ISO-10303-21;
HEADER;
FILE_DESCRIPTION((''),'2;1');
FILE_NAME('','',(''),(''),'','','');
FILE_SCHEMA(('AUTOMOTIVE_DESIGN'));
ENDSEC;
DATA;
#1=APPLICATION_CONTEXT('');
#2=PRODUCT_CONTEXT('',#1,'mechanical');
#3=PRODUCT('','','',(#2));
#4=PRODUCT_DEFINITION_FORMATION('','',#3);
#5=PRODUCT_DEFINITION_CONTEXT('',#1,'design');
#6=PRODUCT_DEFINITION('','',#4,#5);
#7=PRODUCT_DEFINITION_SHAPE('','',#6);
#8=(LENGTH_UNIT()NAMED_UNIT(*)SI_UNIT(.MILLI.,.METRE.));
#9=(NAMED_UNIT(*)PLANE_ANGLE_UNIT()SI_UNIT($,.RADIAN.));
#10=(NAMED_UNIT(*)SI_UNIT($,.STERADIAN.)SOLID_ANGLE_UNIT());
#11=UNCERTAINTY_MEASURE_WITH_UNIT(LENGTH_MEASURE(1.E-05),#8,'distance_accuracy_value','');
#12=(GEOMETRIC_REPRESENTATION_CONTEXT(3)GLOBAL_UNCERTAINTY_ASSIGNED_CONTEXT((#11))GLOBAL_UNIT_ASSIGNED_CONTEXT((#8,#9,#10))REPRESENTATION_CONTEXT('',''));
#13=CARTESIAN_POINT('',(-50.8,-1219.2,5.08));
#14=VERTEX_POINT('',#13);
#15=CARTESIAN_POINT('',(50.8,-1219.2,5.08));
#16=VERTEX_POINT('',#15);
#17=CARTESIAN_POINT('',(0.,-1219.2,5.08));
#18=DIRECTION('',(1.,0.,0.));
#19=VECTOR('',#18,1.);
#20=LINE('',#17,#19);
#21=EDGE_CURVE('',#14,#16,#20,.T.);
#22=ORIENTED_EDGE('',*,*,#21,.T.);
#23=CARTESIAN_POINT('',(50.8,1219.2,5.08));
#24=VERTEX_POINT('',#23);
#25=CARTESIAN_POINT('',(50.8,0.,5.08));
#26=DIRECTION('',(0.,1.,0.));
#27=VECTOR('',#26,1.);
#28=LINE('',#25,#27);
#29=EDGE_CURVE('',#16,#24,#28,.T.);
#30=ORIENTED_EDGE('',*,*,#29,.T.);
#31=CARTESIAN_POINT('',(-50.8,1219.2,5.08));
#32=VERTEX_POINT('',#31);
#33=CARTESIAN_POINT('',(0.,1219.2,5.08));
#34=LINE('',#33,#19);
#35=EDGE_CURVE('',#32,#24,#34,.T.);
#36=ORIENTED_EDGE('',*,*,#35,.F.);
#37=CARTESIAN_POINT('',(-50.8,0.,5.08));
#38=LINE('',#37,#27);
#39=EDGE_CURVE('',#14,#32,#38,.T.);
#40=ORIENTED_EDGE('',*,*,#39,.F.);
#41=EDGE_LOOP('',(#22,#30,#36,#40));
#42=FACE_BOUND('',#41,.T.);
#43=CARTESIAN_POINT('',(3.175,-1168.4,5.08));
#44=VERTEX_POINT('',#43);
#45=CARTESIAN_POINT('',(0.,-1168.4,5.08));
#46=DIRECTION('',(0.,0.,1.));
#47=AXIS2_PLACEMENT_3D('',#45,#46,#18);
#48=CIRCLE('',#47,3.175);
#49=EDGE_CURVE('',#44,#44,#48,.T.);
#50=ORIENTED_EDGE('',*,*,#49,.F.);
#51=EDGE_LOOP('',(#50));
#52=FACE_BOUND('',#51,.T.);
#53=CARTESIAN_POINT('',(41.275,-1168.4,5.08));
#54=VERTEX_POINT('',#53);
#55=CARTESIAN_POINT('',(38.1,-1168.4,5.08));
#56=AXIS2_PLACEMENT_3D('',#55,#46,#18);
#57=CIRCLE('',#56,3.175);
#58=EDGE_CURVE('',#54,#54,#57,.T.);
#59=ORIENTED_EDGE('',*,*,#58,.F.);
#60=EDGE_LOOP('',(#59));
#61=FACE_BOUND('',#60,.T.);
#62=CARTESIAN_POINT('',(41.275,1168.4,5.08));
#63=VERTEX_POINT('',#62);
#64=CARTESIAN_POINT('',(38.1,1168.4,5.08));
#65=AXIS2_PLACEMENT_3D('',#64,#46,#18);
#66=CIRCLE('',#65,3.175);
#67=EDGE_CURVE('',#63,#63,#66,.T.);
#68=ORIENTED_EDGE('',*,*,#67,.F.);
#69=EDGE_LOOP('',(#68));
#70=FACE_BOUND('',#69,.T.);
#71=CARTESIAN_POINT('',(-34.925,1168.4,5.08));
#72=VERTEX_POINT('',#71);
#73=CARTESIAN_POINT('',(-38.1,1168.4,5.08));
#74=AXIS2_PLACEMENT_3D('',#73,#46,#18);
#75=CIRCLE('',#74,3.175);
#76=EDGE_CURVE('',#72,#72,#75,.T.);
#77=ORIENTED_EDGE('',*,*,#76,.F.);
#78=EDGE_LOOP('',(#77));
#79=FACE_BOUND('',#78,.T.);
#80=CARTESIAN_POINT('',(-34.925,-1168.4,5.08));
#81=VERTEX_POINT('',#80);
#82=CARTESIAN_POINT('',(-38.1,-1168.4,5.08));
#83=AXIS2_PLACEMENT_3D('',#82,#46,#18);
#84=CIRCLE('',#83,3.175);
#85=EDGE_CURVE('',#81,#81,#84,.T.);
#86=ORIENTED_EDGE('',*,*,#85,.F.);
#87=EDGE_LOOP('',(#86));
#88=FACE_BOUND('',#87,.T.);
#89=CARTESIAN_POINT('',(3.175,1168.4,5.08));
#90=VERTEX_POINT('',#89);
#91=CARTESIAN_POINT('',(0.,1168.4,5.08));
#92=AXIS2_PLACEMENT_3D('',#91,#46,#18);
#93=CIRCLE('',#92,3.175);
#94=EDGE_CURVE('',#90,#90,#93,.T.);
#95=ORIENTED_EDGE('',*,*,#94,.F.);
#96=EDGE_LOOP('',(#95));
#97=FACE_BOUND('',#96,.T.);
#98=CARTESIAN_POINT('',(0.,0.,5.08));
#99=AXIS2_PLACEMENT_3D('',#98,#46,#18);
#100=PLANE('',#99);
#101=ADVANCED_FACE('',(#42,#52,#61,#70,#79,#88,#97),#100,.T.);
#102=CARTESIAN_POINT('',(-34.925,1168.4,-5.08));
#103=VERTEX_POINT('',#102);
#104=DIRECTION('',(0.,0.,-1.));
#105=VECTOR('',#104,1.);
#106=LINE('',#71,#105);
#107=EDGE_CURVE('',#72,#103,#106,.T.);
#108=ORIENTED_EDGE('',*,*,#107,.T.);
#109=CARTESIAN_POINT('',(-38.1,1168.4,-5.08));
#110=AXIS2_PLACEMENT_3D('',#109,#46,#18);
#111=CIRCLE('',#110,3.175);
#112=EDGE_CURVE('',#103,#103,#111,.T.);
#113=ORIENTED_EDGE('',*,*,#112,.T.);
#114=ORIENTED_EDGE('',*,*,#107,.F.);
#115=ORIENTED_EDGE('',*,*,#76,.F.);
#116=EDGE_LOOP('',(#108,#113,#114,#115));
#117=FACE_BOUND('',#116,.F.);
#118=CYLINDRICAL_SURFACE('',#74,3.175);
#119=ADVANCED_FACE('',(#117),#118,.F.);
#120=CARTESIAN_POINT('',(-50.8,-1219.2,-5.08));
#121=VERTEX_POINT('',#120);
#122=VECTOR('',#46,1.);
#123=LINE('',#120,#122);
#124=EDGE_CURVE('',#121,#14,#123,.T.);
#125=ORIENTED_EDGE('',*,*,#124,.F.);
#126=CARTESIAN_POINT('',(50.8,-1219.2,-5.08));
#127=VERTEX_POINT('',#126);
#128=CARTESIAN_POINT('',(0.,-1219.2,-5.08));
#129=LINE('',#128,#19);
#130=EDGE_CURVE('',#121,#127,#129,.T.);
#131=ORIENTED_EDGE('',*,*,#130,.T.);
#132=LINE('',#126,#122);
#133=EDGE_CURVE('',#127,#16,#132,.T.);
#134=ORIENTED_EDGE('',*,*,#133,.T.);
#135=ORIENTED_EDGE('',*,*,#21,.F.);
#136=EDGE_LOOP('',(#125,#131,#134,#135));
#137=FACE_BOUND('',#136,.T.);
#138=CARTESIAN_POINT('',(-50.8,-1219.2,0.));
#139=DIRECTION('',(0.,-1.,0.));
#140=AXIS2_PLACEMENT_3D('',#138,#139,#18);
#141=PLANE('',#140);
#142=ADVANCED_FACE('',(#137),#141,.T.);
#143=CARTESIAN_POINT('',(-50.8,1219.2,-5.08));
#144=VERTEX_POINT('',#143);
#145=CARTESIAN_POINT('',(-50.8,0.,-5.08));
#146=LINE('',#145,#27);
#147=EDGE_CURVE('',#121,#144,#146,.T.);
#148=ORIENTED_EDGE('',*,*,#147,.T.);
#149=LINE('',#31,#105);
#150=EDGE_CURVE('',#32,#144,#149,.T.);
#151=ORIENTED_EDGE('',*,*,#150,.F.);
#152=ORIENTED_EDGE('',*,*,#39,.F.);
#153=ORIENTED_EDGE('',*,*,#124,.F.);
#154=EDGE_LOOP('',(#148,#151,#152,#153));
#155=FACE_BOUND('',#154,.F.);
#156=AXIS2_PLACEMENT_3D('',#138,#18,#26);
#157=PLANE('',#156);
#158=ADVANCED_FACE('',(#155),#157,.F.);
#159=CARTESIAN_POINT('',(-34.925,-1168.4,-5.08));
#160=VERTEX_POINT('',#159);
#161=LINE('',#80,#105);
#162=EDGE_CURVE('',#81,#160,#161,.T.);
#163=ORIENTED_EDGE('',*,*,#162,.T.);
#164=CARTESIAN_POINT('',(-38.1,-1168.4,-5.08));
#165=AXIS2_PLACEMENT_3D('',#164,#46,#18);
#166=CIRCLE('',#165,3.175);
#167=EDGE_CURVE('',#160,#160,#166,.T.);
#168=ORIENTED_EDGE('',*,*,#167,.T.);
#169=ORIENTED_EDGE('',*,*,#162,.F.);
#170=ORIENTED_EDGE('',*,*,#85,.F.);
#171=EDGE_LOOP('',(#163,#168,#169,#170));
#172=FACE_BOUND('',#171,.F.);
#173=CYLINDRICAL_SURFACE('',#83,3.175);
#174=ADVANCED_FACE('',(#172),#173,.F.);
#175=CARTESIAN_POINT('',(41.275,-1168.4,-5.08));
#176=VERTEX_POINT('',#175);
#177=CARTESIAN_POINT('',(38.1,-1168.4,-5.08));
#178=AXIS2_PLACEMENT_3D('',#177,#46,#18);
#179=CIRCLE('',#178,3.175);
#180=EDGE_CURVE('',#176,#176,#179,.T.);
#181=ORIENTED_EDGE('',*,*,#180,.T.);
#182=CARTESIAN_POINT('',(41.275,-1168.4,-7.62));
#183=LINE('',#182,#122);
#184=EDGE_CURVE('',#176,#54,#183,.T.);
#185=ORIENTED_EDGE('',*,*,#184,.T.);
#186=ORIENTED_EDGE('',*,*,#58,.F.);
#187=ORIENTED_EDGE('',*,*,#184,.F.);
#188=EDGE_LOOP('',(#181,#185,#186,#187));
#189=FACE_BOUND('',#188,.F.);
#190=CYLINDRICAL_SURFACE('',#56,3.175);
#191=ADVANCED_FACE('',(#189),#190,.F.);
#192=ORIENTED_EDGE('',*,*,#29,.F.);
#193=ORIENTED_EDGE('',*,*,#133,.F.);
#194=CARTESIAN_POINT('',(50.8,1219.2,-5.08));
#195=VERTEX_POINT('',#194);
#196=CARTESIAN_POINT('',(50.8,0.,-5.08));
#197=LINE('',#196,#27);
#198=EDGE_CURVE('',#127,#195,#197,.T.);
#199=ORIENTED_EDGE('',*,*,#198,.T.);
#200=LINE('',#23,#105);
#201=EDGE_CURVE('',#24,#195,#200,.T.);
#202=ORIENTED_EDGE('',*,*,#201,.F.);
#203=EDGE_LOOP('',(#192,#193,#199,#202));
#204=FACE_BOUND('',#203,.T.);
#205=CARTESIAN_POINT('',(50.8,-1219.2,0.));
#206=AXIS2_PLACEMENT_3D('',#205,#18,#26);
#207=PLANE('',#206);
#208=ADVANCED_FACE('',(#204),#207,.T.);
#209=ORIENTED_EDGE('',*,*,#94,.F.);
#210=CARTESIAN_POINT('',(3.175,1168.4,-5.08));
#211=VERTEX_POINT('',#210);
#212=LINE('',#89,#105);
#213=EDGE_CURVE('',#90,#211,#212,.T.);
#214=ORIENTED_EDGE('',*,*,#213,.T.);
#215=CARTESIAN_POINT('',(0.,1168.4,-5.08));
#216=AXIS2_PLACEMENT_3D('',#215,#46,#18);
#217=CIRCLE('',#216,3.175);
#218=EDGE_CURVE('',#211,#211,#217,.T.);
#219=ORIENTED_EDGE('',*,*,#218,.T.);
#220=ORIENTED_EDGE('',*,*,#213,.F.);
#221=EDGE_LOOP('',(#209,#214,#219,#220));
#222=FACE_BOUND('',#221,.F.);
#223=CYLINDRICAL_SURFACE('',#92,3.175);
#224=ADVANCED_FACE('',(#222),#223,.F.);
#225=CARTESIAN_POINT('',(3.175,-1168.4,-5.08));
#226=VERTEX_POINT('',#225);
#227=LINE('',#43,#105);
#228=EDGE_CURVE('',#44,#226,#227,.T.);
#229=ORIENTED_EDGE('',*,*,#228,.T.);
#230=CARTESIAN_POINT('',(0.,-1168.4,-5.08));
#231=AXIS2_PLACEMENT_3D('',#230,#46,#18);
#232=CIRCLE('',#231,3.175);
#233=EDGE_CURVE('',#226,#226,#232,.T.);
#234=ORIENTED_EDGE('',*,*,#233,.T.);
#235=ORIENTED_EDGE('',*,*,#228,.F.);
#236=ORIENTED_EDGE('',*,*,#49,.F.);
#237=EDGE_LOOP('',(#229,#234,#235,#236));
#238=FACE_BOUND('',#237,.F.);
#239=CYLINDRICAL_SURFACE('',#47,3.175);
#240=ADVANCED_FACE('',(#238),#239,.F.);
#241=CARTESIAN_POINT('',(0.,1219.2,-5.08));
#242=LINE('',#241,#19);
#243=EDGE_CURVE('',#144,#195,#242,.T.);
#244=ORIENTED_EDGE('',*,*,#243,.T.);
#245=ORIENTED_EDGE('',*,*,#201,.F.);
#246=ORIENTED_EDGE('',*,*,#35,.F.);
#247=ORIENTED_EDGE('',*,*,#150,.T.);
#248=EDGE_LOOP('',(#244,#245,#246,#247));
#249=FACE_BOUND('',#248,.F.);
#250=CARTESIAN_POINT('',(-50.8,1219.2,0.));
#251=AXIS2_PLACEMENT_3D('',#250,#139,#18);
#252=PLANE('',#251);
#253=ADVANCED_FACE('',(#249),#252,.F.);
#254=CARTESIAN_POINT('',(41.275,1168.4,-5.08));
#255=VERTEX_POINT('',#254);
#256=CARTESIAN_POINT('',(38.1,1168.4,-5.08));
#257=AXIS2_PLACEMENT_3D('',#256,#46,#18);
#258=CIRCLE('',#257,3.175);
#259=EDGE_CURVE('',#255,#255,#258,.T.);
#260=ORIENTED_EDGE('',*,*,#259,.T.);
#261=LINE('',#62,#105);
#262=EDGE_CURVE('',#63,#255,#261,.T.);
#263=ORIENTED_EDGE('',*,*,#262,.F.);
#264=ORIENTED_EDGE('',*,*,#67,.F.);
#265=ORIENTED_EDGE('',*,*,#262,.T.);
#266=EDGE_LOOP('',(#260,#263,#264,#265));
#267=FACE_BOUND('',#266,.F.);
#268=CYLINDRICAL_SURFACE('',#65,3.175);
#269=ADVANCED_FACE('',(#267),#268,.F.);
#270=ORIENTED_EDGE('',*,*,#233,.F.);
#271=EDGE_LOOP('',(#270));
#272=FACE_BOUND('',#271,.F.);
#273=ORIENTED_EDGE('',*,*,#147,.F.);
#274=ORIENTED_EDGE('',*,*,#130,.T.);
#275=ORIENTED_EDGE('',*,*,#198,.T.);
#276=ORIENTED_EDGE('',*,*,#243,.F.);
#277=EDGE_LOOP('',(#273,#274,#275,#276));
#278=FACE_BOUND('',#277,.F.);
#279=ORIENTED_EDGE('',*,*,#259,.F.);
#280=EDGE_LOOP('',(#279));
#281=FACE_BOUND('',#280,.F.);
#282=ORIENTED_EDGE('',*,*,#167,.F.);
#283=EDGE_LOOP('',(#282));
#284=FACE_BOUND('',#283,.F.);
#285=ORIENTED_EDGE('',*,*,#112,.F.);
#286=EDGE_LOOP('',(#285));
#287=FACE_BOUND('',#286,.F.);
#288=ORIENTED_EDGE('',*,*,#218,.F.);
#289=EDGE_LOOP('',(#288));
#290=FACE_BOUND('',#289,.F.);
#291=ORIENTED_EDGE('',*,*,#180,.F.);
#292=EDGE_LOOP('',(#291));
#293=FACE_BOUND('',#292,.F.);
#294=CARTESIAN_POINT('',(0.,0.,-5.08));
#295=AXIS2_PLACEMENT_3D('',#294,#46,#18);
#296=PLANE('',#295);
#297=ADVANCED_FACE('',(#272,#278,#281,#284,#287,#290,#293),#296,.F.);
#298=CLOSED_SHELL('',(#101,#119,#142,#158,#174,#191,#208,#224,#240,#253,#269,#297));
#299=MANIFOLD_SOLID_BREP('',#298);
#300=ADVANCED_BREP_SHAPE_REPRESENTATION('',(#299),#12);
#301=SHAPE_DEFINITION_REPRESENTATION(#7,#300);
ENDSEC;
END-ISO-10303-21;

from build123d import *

# Parameters (mm, degrees)
F0_W     = 101.6
F0_H     = 2438.4
F1_DEPTH = 5.08
F2_R     = 3.175
F3_DEPTH = 12.7


with BuildPart() as f1:
    # F0 (on Top) → F1 (new body, symmetric)
    with BuildSketch(Plane.XY):
        Rectangle(F0_W, F0_H)
    extrude(amount=F1_DEPTH, both=True)

    # F2 (on face) → F3 (cut, symmetric)
    with BuildSketch(Plane.XY.offset(5.08)):
        with Locations((0, -1168.4)):
            Circle(F2_R)
        with Locations((0, 1168.4)):
            Circle(F2_R)
        with Locations((-38.1, 1168.4)):
            Circle(F2_R)
        with Locations((38.1, 1168.4)):
            Circle(F2_R)
        with Locations((-38.1, -1168.4)):
            Circle(F2_R)
        with Locations((38.1, -1168.4)):
            Circle(F2_R)
    extrude(amount=F3_DEPTH, both=True, mode=Mode.SUBTRACT)


solid = f1.part
